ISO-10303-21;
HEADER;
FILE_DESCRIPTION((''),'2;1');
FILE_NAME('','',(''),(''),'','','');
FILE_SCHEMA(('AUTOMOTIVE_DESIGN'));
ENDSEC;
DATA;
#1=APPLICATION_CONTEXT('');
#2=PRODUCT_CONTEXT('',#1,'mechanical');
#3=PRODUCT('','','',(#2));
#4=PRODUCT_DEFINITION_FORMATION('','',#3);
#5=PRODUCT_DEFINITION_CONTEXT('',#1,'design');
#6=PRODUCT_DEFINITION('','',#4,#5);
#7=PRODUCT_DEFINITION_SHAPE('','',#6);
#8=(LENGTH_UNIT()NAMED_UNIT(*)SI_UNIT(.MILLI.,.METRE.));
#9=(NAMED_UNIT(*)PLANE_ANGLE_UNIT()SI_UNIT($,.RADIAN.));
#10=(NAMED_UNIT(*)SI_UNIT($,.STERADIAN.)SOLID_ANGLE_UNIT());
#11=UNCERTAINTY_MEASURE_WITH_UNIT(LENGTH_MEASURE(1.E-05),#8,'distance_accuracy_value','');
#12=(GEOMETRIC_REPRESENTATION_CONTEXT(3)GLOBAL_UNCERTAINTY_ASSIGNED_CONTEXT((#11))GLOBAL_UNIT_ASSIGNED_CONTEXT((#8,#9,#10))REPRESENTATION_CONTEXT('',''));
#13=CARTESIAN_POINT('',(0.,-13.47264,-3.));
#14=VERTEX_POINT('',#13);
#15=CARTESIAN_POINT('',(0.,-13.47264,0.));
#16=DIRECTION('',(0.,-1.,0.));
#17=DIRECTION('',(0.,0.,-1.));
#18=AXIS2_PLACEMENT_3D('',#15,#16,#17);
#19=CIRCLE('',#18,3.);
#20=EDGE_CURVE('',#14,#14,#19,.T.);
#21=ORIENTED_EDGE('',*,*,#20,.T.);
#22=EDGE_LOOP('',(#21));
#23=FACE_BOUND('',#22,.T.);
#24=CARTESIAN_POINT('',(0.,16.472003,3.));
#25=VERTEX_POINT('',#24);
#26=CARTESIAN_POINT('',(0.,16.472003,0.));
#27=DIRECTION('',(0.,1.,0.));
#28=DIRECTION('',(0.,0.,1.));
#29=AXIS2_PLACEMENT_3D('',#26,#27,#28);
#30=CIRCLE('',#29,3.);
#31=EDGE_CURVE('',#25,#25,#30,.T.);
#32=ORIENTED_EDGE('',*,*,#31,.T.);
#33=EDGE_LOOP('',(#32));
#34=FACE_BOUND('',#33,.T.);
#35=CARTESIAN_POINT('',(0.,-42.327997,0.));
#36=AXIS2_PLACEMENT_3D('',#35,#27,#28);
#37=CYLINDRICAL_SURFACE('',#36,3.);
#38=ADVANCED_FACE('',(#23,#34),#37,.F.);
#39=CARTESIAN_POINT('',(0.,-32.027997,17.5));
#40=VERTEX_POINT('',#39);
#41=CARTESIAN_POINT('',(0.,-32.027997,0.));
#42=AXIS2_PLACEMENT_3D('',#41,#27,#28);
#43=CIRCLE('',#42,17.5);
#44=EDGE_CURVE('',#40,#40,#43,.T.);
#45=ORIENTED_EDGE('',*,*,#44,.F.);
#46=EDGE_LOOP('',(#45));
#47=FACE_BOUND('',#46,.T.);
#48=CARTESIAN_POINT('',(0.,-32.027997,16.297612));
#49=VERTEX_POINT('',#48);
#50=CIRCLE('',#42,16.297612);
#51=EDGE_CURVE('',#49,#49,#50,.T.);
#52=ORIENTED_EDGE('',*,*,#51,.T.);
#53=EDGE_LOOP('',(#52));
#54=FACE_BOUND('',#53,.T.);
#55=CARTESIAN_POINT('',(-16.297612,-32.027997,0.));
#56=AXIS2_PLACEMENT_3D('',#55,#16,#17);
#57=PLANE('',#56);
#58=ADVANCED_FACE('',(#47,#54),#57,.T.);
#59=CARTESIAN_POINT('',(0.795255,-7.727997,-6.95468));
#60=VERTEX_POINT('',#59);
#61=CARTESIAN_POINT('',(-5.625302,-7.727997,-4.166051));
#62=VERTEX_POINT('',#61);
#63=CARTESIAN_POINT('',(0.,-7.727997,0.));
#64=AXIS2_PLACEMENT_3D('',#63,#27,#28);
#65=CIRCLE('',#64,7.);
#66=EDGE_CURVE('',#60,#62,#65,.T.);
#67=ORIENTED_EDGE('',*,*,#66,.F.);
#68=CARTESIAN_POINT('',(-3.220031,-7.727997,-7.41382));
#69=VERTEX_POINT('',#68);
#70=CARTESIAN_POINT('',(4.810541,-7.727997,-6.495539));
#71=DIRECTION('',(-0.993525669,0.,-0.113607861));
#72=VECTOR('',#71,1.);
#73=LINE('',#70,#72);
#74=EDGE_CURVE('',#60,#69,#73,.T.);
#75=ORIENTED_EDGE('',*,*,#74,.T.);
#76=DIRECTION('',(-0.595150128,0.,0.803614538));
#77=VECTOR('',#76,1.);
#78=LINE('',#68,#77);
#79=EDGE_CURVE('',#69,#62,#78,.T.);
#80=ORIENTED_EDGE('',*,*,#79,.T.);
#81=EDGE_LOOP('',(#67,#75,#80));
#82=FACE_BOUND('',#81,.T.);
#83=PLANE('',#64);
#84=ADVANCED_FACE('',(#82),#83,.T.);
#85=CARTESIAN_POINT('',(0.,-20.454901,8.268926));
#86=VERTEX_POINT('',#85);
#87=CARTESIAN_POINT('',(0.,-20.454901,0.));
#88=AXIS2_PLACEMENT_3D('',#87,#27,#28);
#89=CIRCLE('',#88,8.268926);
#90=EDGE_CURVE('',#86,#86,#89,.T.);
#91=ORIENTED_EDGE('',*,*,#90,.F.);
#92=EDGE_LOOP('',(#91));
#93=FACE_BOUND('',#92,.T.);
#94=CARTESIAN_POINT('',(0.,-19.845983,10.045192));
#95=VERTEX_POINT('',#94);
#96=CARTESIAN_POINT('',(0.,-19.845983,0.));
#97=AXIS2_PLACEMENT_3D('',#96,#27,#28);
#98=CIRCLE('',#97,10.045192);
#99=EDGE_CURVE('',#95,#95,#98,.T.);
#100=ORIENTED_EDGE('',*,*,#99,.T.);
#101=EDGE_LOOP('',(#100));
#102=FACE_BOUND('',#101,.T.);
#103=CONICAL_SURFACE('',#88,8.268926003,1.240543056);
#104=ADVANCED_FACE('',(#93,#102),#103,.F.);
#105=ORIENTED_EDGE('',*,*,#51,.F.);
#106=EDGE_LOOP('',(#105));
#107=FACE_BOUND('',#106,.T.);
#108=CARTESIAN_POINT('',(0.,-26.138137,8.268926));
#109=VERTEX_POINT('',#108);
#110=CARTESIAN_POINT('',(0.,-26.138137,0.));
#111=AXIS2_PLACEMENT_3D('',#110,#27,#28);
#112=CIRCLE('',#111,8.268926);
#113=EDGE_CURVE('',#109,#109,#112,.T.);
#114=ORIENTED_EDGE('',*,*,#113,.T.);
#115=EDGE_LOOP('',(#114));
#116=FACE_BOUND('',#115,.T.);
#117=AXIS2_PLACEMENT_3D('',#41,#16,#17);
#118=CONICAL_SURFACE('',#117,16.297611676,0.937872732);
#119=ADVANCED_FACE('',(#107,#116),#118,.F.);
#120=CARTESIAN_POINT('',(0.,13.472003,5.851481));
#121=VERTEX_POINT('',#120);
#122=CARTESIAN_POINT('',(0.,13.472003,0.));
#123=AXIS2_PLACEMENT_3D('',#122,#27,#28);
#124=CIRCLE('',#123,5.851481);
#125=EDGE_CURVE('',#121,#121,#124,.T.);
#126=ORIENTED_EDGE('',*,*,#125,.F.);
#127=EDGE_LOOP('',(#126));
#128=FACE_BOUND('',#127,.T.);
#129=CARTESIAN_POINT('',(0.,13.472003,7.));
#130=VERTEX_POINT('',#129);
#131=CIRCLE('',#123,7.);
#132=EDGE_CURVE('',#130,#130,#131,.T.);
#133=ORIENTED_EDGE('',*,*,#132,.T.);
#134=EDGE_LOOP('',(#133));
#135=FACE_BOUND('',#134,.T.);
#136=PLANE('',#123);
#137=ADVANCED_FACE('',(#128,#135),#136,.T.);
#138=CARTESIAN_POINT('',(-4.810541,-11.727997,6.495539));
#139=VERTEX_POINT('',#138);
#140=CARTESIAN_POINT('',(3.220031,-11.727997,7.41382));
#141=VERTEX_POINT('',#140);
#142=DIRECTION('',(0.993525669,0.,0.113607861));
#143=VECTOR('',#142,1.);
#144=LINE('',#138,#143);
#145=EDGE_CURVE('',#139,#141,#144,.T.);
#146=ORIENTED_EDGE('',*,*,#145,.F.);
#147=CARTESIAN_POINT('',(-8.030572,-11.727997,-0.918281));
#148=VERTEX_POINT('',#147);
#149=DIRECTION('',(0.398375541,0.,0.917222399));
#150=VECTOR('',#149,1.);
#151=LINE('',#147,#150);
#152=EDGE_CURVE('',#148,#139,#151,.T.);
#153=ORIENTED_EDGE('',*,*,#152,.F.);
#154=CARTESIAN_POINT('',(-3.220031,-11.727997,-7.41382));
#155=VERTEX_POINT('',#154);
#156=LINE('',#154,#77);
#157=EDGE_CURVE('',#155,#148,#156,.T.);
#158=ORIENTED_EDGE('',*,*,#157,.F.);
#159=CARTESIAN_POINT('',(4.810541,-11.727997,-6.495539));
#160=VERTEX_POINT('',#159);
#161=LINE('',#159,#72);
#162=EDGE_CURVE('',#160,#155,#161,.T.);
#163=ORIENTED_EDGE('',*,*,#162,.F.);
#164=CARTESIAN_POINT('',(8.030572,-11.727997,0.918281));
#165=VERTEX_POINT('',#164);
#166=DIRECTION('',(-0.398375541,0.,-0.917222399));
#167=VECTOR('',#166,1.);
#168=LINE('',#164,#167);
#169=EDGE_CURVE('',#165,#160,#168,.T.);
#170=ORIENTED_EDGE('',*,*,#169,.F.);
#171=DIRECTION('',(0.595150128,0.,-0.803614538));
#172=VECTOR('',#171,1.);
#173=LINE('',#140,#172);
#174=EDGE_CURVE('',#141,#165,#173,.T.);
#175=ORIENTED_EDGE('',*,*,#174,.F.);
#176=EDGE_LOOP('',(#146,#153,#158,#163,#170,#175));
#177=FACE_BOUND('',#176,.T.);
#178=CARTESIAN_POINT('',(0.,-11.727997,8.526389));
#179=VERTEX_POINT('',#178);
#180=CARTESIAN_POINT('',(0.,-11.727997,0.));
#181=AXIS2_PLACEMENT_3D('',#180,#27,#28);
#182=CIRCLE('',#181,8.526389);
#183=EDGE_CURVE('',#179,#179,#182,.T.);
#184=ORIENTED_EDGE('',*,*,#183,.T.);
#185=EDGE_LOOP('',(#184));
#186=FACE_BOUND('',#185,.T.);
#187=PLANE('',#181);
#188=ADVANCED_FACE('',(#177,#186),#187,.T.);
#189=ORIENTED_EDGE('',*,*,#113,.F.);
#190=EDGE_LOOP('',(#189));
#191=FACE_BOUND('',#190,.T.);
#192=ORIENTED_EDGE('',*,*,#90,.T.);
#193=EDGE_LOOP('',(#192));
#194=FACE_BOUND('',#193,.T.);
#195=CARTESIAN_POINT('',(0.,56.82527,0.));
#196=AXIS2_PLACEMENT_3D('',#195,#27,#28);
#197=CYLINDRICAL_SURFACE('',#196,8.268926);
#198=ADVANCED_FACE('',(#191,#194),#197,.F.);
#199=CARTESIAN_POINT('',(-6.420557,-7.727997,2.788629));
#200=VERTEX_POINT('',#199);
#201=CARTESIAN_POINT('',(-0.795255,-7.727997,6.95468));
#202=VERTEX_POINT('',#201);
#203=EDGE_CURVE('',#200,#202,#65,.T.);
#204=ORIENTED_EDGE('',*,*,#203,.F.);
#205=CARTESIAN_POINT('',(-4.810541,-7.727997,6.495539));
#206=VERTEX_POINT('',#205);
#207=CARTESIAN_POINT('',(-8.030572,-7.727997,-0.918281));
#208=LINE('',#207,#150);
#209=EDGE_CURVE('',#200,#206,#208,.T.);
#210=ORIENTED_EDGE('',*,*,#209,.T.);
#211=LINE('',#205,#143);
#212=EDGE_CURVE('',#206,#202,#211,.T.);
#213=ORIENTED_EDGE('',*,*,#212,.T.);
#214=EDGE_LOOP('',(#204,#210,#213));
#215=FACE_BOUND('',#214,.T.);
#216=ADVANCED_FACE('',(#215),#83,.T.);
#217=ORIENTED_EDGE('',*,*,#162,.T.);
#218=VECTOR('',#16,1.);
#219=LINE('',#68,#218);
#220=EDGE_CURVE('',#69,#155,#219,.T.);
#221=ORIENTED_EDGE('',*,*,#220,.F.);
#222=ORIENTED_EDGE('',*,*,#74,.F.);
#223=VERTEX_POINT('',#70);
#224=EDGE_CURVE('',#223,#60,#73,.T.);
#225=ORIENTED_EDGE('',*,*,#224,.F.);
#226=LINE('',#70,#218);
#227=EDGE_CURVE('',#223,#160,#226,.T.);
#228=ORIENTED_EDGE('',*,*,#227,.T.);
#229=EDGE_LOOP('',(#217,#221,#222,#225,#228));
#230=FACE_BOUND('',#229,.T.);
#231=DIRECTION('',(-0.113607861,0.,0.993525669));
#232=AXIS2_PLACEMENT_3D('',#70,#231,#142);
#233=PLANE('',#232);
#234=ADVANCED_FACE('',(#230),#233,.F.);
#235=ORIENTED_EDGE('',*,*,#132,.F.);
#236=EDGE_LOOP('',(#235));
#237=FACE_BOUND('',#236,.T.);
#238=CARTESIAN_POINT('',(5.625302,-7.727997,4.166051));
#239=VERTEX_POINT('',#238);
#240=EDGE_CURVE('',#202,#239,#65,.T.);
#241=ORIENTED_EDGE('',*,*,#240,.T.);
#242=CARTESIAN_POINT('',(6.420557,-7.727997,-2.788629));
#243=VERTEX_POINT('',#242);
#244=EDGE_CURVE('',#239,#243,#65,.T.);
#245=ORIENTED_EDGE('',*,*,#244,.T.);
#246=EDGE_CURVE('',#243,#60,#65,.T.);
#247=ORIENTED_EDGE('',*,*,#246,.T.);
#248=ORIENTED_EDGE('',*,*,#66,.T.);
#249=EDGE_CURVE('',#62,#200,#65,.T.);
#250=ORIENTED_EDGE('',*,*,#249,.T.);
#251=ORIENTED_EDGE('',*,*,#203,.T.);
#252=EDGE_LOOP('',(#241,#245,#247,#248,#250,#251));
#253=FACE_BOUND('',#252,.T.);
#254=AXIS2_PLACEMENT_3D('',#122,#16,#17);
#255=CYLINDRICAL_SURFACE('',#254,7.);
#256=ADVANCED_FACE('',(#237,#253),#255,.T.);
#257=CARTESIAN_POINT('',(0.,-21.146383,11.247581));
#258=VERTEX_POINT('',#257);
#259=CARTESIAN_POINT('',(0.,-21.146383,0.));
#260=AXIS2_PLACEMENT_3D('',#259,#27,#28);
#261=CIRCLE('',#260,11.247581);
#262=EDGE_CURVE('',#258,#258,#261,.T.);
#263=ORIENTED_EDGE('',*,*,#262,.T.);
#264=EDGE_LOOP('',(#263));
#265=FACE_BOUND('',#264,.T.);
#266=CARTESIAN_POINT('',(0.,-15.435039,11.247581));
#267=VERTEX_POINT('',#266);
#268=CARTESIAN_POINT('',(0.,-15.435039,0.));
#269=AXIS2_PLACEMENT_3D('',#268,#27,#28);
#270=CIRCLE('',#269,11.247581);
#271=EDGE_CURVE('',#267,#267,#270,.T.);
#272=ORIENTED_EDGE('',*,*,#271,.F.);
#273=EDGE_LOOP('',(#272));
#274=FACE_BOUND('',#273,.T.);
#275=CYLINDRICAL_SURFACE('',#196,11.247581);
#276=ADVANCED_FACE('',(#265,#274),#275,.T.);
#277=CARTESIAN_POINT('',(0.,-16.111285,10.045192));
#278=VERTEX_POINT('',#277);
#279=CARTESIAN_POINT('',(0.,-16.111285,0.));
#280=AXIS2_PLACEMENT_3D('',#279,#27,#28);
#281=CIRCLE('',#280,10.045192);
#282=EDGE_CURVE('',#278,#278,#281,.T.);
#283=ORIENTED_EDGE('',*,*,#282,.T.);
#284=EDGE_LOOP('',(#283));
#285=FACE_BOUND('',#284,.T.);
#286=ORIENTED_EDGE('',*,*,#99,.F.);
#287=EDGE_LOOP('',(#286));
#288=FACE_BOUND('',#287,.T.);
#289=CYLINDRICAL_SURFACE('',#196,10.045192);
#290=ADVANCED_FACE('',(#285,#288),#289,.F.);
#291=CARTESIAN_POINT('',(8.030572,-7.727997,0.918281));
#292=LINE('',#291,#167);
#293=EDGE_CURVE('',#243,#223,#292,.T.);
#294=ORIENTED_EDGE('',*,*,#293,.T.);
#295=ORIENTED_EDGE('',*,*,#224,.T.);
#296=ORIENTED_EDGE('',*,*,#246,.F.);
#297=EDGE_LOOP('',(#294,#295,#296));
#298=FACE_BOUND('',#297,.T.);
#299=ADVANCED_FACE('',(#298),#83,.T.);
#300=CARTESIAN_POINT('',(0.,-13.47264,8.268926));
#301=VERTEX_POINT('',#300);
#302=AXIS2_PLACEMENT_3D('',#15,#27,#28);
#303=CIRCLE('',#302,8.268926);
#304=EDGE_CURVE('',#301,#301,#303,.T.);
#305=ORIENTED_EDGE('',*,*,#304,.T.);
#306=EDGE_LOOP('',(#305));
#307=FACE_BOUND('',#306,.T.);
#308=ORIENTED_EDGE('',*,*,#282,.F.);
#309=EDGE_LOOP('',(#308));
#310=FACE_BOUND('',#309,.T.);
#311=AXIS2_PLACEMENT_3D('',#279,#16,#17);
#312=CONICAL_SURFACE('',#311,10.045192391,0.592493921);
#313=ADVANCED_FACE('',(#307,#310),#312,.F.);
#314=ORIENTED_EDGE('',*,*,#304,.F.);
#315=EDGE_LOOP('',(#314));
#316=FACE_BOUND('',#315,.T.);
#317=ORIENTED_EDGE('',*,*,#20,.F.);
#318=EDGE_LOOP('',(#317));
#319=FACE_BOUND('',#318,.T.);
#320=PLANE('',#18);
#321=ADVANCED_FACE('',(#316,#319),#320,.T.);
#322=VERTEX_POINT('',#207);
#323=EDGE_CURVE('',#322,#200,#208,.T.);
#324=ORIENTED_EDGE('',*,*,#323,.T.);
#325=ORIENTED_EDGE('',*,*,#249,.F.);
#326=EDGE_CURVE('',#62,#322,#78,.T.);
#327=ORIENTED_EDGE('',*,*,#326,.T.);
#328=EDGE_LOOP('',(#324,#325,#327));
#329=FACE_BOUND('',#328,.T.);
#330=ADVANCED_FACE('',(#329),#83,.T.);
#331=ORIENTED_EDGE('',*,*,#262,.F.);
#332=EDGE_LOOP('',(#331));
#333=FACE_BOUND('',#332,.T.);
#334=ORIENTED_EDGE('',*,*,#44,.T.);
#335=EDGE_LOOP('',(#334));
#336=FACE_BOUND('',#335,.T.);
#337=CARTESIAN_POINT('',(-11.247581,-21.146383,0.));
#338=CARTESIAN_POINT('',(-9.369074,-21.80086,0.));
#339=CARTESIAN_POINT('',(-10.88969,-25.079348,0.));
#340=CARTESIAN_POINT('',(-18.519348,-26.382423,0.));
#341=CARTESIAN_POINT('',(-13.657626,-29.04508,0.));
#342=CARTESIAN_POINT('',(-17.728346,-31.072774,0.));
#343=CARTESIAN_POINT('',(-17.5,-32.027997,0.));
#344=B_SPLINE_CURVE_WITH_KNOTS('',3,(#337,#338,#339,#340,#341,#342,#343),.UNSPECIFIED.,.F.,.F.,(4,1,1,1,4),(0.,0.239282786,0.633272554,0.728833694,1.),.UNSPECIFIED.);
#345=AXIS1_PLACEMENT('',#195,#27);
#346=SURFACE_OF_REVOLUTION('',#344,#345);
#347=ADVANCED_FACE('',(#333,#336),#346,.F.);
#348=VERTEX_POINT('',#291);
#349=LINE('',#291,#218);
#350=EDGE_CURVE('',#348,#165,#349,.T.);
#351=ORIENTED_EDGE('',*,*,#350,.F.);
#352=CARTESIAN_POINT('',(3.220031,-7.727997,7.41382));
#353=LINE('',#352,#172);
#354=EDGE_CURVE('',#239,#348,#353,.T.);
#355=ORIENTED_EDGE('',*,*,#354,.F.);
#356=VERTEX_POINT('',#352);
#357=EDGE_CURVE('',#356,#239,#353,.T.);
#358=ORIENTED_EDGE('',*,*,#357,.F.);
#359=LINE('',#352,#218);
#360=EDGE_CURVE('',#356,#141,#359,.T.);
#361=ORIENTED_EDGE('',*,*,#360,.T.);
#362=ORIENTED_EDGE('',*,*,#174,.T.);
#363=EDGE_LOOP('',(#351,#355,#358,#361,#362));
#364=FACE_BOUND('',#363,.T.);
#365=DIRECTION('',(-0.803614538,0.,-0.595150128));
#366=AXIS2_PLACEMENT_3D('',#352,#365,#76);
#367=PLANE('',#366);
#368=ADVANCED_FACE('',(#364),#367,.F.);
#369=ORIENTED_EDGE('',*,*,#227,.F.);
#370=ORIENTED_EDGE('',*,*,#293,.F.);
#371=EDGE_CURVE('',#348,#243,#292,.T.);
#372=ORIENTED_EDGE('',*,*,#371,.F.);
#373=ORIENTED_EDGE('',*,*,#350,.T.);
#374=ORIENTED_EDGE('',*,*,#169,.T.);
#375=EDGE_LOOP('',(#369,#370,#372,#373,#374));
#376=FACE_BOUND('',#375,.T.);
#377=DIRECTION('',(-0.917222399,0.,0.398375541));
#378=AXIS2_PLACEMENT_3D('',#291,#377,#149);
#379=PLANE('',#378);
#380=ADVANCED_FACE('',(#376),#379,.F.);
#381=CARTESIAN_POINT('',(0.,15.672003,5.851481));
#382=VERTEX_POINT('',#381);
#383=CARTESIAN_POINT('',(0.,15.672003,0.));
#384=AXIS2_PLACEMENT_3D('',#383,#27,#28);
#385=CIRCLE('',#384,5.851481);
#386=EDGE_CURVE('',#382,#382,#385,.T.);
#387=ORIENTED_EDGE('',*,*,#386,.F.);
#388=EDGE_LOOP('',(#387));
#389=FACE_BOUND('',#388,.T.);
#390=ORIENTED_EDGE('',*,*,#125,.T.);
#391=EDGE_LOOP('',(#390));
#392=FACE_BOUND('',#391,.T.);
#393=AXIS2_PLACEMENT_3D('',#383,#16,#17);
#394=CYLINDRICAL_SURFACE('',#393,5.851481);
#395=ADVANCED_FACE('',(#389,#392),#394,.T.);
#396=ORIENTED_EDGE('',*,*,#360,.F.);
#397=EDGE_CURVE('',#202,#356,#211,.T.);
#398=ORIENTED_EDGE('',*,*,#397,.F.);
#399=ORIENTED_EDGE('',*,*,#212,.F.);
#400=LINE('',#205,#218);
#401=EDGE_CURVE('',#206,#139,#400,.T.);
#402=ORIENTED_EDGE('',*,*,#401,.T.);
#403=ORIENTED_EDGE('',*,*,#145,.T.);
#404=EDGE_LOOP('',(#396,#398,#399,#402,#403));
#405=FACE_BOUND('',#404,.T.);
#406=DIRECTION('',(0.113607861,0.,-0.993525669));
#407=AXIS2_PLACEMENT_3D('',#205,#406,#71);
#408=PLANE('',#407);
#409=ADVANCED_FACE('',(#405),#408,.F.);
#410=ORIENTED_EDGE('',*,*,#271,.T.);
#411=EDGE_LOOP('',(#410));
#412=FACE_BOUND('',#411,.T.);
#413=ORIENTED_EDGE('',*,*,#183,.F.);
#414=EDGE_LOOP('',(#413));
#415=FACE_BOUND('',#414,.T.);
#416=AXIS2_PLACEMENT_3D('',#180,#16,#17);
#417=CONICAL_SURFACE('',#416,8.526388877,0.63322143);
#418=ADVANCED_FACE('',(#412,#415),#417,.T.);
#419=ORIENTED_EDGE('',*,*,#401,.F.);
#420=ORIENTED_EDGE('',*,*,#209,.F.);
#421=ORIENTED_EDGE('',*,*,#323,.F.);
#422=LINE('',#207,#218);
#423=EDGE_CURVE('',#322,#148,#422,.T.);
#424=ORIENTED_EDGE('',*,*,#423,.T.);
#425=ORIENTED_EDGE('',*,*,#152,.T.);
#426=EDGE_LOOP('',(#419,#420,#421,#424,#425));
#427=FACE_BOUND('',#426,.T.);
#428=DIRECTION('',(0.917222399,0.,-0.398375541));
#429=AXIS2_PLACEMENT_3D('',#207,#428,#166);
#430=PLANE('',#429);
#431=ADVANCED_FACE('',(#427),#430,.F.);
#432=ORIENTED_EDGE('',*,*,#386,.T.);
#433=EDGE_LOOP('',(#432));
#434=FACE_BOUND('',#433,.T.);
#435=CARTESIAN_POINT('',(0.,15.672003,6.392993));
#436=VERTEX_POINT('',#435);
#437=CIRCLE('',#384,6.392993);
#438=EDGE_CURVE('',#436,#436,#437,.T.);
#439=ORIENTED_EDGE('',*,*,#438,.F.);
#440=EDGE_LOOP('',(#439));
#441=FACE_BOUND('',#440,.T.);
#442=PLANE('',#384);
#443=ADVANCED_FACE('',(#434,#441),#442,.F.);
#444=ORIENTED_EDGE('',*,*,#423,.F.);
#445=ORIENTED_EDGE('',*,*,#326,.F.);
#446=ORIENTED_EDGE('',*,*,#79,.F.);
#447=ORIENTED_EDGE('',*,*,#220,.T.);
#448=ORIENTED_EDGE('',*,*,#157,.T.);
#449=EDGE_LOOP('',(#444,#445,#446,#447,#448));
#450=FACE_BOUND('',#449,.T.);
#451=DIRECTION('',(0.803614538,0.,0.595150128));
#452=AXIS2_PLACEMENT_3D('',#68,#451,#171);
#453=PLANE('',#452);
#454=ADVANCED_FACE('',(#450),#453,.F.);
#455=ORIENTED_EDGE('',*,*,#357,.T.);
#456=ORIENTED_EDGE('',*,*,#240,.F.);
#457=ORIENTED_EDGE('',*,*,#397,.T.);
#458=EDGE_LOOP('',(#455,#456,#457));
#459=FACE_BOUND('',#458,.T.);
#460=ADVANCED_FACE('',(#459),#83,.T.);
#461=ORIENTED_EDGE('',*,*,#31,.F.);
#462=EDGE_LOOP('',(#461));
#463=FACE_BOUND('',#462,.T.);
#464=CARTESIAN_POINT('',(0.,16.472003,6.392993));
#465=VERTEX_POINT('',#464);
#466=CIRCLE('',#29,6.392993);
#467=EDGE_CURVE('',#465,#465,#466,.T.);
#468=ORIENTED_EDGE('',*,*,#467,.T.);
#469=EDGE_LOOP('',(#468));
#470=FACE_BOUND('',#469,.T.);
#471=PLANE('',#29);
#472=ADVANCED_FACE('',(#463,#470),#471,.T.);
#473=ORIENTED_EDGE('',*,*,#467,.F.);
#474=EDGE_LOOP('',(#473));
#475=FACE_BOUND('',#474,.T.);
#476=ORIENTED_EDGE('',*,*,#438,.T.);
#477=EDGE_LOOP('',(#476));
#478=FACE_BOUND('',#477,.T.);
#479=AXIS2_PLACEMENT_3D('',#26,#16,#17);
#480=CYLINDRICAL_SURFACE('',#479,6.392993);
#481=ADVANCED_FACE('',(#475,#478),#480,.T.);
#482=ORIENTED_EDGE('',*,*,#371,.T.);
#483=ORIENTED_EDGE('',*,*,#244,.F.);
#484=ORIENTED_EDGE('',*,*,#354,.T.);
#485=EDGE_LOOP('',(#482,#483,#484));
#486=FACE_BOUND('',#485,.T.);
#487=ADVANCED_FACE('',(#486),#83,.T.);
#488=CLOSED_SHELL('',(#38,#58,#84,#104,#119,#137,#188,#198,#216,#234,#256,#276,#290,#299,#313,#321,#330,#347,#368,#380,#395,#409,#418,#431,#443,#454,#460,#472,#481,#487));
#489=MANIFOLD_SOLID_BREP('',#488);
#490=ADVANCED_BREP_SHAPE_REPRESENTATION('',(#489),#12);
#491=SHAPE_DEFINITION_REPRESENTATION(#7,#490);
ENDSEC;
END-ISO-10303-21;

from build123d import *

# Parameters (mm, degrees)
EXTRUDE_1_DEPTH     = 4
SKETCH_3_R          = 7
EXTRUDE_2_DEPTH     = 21.2
SKETCH_4_R          = 5.851481146
EXTRUDE_3_DEPTH     = 2.2
SKETCH_5_R          = 6.392993162
EXTRUDE_4_DEPTH     = 0.8
SKETCH_6_R          = 3
CUT_EXTRUDE_1_DEPTH = 58.8


with BuildPart() as part:
    # 草图1 → 旋转1 (revolve)
    with BuildSketch(Plane.XY, mode=Mode.PRIVATE) as revolve_1_sk:
        with BuildLine():
            Line((0, -11.727997448), (-8.526388877, -11.727997448))
            Line((-8.526388877, -11.727997448), (-11.247580715, -15.435038577))
            Line((-11.247580715, -15.435038577), (-11.247580715, -21.146383116))
            add(Edge.make_bspline(
                [(-11.247580715, -21.146383116), (-9.369073773, -21.8008603), (-10.889689746, -25.079347996), (-18.519348405, -26.382423308), (-13.657626369, -29.045080289), (-17.728346259, -31.072774498), (-17.5, -32.027997448)],
                knots=[0, 0, 0, 0, 0.239282786, 0.633272554, 0.728833694, 1, 1, 1, 1], degree=3))
            Line((-17.5, -32.027997448), (-16.297611676, -32.027997448))
            Line((-16.297611676, -32.027997448), (-8.268926003, -26.138136704))
            Line((-8.268926003, -26.138136704), (-8.268926003, -20.454901012))
            Line((-8.268926003, -20.454901012), (-10.045192391, -19.845982903))
            Line((-10.045192391, -19.845982903), (-10.045192391, -16.111285163))
            Line((-10.045192391, -16.111285163), (-8.268926003, -13.47264002))
            Line((-8.268926003, -13.47264002), (0, -13.47264002))
            Line((0, -13.47264002), (0, -11.727997448))
        make_face()
    revolve(revolve_1_sk.sketch.rotate(Axis((0, 56.825270067, 0), (0, -1, 0)), 270), axis=Axis((0, 56.825270067, 0), (0, -1, 0)))

    # 草图2 → 凸台-拉伸1 (add)
    with BuildSketch(Plane(origin=(0, -11.727997448, 0), x_dir=(1, 0, 0), z_dir=(0, 1, 0))):
        Polygon((4.810541209, 6.495538978), (-3.220031161, 7.413820382), (-8.03057237, 0.918281404), (-4.810541209, -6.495538978), (3.220031161, -7.413820382), (8.03057237, -0.918281404), align=None)
    extrude(amount=EXTRUDE_1_DEPTH)

    # 草图3 → 凸台-拉伸2 (add)
    with BuildSketch(Plane(origin=(0, -7.727997448, 0), x_dir=(1, 0, 0), z_dir=(0, 1, 0))):
        with Locations(Location((0, 0, 0), (0, 0, 83.476664908))):
            Circle(SKETCH_3_R)
    extrude(amount=EXTRUDE_2_DEPTH)

    # 草图4 → 凸台-拉伸3 (add)
    with BuildSketch(Plane(origin=(0, 13.472002552, 0), x_dir=(1, 0, 0), z_dir=(0, 1, 0))):
        with Locations(Location((0, 0, 0), (0, 0, 270))):
            Circle(SKETCH_4_R)
    extrude(amount=EXTRUDE_3_DEPTH)

    # 草图5 → 凸台-拉伸4 (add)
    with BuildSketch(Plane(origin=(0, 15.672002552, 0), x_dir=(1, 0, 0), z_dir=(0, 1, 0))):
        with Locations(Location((0, 0, 0), (0, 0, 270))):
            Circle(SKETCH_5_R)
    extrude(amount=EXTRUDE_4_DEPTH)

    # 草图6 → 切除-拉伸1 (cut)
    with BuildSketch(Plane(origin=(0, 16.472002552, 0), x_dir=(1, 0, 0), z_dir=(0, 1, 0))):
        with Locations(Location((0, 0, 0), (0, 0, 270))):
            Circle(SKETCH_6_R)
    extrude(amount=-CUT_EXTRUDE_1_DEPTH, mode=Mode.SUBTRACT)


solid = part.part
